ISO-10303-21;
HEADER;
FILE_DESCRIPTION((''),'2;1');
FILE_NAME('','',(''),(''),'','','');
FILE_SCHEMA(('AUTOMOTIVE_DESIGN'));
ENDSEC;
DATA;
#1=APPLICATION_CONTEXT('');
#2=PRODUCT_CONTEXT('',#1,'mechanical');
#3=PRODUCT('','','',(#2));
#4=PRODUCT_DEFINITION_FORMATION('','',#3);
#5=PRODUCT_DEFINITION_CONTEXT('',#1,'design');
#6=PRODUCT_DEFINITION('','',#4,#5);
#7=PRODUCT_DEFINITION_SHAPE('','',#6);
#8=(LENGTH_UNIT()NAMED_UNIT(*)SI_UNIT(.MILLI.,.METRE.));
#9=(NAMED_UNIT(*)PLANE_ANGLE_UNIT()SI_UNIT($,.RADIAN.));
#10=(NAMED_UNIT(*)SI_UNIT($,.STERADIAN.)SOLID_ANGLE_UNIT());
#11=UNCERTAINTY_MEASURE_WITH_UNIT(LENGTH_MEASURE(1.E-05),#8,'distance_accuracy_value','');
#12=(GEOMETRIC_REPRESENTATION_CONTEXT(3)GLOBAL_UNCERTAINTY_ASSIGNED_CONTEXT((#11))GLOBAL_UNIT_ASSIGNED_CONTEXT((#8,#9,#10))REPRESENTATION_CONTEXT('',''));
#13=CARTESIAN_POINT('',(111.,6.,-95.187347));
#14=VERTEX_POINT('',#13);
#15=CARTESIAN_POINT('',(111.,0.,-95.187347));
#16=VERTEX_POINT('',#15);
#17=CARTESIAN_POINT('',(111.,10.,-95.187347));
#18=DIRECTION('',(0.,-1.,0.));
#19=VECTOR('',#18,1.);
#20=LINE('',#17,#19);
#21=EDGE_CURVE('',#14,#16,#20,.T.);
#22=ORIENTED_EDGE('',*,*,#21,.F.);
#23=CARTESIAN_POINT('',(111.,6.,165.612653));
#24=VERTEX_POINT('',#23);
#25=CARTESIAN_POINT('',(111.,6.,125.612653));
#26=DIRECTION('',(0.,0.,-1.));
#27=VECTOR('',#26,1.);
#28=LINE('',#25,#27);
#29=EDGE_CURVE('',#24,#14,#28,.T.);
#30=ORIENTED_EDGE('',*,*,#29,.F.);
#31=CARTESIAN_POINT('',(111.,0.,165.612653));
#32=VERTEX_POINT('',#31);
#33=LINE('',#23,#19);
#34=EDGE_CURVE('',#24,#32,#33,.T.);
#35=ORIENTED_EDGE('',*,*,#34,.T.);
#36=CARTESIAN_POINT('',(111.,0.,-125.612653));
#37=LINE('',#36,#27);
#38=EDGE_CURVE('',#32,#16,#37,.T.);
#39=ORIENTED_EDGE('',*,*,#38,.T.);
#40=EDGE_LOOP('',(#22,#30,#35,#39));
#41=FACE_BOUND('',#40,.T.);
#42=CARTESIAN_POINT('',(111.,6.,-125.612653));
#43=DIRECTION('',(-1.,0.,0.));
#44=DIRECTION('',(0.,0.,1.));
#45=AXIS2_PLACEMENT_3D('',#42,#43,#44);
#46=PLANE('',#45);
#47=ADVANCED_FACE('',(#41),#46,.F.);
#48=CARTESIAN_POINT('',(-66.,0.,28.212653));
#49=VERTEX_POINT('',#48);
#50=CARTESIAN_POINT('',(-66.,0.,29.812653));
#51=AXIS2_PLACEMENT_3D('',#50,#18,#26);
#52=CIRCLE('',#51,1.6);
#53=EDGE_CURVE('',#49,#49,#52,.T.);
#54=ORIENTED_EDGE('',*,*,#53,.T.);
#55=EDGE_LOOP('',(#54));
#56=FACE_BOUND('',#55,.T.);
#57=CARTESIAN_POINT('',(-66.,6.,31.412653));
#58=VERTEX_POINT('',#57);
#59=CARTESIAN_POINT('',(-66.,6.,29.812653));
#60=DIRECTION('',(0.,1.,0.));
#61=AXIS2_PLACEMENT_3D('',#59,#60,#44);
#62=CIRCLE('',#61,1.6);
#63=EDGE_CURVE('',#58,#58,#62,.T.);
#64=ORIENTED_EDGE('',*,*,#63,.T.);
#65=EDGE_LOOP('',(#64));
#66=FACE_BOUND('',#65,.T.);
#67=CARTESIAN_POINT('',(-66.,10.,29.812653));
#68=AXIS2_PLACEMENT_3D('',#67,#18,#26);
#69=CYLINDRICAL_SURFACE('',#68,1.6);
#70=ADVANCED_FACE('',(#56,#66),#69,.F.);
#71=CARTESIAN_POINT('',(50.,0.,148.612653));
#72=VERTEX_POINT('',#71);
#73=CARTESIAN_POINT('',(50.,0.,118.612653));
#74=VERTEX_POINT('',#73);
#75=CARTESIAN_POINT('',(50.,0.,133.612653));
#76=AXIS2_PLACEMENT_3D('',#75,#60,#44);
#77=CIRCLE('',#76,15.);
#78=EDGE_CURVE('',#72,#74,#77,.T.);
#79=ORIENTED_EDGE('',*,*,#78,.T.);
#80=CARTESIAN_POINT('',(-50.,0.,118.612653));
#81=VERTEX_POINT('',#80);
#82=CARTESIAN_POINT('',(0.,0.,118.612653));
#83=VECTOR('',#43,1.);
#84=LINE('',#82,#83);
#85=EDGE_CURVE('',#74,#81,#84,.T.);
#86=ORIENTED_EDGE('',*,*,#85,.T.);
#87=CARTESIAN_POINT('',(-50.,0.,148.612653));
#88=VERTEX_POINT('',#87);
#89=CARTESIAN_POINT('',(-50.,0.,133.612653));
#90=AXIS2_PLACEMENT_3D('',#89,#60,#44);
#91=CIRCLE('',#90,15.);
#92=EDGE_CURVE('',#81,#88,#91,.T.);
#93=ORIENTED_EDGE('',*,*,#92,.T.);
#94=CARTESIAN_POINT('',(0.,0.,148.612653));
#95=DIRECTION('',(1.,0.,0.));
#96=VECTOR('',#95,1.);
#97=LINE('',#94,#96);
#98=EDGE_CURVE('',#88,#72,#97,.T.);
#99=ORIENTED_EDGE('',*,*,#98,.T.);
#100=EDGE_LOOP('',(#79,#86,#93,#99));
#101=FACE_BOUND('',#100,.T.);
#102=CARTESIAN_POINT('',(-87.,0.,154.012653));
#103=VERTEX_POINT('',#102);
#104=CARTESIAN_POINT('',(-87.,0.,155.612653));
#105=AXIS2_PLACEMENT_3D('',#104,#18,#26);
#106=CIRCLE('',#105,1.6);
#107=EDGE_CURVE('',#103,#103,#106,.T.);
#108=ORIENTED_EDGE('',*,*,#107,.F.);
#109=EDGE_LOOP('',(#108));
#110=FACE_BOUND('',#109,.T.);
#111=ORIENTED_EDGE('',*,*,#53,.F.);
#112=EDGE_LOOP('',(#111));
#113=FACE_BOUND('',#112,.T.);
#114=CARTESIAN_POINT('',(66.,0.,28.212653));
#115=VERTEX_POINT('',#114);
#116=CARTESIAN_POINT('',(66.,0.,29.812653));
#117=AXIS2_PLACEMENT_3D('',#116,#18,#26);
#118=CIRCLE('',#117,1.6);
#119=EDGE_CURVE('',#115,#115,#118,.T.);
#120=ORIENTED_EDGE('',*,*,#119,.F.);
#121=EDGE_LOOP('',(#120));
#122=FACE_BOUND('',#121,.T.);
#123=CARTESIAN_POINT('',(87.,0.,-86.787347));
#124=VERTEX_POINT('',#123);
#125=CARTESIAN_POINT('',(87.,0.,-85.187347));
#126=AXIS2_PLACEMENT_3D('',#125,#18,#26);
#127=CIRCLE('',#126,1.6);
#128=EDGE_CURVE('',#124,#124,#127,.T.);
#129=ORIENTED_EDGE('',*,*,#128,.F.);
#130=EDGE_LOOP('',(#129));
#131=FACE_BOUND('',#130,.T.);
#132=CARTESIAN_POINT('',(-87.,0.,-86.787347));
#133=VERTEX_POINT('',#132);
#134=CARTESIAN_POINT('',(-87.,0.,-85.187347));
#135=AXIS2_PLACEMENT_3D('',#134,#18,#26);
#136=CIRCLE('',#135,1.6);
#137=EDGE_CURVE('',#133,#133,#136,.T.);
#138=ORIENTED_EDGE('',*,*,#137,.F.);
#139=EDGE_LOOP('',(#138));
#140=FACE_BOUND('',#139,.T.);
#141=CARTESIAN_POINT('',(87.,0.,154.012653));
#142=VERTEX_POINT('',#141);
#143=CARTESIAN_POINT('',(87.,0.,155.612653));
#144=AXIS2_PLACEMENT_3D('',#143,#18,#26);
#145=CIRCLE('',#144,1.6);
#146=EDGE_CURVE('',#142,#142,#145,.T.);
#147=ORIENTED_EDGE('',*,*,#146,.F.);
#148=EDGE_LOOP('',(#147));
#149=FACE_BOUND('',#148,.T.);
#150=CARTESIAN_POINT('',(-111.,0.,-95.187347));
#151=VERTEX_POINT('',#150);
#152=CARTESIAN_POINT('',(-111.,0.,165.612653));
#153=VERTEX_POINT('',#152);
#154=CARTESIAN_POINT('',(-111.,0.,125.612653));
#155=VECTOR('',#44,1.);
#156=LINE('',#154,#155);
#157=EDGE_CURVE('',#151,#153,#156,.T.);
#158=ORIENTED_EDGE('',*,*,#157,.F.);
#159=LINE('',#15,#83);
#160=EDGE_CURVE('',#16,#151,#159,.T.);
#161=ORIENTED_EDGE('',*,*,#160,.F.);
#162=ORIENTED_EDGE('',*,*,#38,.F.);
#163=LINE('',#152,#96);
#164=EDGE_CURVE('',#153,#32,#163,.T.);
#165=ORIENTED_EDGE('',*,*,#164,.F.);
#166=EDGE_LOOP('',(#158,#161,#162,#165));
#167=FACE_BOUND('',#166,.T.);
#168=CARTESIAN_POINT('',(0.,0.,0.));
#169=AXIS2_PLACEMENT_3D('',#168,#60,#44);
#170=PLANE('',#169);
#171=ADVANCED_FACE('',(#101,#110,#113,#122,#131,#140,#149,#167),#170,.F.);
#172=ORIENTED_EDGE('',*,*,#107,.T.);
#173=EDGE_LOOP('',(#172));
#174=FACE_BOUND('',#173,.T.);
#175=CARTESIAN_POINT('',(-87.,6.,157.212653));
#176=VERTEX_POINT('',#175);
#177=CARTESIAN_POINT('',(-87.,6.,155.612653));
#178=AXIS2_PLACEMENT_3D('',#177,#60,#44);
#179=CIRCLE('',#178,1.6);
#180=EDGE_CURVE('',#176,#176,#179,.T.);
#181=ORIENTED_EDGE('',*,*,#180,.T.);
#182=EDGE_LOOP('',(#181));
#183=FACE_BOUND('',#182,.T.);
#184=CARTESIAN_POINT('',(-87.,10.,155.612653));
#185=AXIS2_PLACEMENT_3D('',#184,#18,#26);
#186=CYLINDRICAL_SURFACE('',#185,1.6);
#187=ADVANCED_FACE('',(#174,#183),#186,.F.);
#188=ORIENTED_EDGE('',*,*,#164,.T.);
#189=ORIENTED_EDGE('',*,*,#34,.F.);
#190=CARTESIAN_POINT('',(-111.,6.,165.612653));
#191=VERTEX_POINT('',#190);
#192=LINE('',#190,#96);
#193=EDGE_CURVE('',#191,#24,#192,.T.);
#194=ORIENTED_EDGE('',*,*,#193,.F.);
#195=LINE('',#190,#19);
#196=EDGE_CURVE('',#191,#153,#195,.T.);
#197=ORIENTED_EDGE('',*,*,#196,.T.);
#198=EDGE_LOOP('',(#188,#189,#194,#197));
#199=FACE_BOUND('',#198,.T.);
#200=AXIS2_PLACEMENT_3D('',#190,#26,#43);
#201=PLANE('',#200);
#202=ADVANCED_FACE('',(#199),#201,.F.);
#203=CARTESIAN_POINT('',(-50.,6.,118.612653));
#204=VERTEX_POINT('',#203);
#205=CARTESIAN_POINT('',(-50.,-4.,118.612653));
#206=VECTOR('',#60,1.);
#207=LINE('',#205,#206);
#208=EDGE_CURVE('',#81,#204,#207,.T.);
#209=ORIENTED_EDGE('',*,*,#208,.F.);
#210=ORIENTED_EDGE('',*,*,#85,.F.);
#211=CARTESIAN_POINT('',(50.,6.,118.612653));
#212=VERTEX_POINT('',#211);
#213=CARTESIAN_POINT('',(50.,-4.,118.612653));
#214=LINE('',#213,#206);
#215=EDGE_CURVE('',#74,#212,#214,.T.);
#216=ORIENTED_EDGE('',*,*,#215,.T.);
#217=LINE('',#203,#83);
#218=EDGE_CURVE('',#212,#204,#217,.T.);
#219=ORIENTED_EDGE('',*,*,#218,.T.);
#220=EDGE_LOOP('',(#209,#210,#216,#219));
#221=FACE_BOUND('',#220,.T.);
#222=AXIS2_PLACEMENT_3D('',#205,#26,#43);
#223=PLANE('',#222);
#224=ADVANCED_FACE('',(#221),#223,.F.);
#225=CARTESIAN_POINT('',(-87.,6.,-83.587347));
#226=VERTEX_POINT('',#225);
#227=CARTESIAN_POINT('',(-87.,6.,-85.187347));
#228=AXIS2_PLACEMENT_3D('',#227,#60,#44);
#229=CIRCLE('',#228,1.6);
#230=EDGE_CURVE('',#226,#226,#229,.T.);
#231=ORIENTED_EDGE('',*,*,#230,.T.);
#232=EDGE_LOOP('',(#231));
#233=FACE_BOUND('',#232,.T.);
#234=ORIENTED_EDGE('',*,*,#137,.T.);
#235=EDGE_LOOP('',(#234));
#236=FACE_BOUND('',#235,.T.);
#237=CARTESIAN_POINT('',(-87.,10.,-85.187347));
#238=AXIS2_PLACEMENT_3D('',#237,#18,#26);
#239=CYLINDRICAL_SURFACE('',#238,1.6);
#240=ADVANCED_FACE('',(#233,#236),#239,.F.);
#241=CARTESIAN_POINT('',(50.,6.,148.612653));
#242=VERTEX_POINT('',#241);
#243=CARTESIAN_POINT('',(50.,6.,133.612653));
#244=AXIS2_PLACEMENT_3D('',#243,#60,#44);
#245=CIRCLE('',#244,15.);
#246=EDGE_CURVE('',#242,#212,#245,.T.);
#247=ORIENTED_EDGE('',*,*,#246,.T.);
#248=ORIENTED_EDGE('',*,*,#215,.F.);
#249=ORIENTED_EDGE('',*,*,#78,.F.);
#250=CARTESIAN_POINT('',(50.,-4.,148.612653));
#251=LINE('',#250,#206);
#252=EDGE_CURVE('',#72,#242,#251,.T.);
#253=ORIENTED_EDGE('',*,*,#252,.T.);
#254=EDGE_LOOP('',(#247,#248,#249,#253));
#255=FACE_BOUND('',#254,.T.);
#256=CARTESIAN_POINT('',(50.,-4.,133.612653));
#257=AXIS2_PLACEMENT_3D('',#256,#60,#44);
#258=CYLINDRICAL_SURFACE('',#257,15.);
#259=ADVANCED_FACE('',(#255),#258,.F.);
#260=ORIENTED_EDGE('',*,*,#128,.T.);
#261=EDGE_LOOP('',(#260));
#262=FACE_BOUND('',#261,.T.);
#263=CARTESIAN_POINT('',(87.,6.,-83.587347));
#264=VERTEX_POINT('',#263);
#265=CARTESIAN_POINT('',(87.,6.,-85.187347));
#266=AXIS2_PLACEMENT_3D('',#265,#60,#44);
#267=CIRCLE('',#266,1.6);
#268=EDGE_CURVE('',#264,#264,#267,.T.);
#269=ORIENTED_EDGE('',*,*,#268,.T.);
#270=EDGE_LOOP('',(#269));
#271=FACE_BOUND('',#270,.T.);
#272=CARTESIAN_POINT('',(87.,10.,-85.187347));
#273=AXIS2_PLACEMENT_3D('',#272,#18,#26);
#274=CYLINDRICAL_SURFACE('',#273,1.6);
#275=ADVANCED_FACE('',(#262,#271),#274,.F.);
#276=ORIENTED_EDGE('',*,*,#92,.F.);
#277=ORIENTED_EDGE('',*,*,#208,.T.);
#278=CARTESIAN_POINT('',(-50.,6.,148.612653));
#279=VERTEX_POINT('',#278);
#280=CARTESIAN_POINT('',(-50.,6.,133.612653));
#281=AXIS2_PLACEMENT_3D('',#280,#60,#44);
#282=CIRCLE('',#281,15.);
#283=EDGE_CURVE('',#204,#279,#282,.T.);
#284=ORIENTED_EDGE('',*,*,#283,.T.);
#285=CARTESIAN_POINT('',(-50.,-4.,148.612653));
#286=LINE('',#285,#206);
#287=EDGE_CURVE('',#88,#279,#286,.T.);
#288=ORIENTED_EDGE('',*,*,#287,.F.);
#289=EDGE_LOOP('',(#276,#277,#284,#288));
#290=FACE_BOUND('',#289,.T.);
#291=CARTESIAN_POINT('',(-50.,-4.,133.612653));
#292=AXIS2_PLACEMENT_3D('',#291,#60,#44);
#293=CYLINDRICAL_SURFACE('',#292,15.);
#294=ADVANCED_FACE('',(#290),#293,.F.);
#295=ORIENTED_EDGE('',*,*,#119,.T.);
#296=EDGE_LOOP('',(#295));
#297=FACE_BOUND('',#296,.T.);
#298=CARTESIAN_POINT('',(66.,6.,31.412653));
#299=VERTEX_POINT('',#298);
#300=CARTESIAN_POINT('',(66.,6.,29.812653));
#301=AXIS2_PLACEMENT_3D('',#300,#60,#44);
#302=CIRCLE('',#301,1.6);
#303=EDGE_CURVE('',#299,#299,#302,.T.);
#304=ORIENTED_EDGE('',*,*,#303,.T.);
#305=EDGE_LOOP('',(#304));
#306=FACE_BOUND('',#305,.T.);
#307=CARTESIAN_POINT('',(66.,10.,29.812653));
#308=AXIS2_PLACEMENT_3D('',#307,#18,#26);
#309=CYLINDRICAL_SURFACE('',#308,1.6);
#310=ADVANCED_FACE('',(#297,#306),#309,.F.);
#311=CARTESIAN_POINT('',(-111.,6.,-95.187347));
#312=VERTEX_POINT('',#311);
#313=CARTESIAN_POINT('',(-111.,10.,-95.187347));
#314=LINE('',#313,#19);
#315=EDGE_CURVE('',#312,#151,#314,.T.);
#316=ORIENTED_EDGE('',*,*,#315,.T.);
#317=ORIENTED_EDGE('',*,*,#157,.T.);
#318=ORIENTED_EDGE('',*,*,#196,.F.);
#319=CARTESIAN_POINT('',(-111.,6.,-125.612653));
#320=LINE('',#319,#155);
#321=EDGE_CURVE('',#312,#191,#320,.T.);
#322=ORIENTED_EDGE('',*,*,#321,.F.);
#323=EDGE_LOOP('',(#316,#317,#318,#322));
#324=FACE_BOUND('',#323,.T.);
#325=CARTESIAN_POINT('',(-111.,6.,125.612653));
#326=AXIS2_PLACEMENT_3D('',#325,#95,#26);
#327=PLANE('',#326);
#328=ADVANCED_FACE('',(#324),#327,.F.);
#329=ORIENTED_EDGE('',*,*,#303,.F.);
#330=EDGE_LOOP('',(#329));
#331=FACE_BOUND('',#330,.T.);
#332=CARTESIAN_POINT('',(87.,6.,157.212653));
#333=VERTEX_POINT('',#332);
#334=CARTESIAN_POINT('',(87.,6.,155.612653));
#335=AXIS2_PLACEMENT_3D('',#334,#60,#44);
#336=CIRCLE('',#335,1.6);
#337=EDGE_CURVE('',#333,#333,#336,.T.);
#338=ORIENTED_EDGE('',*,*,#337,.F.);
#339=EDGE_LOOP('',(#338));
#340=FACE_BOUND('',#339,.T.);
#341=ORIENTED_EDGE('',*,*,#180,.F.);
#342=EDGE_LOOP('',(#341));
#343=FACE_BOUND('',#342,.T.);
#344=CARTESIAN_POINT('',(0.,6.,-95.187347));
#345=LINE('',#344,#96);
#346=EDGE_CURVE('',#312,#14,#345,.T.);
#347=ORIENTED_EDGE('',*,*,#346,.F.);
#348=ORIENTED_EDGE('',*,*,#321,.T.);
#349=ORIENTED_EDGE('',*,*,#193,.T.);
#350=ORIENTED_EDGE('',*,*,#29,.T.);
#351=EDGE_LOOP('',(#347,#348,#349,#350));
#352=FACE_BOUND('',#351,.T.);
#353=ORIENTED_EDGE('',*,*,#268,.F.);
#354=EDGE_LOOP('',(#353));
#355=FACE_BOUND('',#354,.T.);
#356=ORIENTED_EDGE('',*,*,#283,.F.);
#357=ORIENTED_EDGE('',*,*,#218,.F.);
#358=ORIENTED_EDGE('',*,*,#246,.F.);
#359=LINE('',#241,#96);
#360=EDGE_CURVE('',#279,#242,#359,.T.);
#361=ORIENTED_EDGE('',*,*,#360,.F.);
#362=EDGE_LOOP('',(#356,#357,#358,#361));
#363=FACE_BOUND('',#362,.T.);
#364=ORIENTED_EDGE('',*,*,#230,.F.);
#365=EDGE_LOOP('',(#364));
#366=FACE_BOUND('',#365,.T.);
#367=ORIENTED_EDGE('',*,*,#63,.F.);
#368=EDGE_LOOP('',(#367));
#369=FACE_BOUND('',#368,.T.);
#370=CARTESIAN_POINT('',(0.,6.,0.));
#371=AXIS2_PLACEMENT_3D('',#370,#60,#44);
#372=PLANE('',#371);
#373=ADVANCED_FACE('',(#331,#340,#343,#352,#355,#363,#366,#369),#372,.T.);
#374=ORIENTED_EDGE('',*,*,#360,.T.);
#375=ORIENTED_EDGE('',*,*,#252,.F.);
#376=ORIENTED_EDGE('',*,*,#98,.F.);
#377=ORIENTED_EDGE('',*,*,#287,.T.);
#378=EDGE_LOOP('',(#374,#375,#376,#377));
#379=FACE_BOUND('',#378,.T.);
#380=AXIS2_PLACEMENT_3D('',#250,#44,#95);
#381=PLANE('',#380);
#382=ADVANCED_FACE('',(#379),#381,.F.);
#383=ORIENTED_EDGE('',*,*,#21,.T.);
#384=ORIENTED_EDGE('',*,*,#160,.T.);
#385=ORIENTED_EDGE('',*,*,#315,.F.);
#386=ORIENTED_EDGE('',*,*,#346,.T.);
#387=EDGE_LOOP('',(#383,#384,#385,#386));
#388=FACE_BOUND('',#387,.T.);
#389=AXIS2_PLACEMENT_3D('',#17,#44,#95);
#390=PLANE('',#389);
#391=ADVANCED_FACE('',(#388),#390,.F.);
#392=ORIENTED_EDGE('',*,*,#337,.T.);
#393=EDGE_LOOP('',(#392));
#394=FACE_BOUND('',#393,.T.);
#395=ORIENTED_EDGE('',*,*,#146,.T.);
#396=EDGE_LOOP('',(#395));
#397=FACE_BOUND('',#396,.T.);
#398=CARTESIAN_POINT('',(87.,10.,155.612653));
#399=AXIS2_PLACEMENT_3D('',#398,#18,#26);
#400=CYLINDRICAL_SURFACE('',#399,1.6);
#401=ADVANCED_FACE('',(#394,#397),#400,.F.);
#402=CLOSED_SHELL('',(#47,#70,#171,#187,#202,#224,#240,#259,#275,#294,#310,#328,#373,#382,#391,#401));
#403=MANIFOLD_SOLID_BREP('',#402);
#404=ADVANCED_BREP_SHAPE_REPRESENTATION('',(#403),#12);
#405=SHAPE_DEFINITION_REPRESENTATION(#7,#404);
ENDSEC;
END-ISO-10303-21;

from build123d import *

# Parameters (mm, degrees)
BOSS_EXTRUDE1_DEPTH = 6
SKETCH3_R           = 1.6
SKETCH3_W           = 222
SKETCH3_H           = 30.425305758
CUT_EXTRUDE1_DEPTH  = 10
SKETCH4_R           = 1.6
CUT_EXTRUDE2_DEPTH  = 10
CUT_EXTRUDE3_DEPTH  = 10


with BuildPart() as part:
    # Sketch1 → Boss-Extrude1 (new body)
    with BuildSketch(Plane(origin=(0, 0, 0), x_dir=(1, 0, 0), z_dir=(0, 1, 0))):
        Polygon((-111, 125.612652879), (111, 125.612652879), (111, -125.612652879), (111, -165.612652879), (-111, -165.612652879), (-111, -125.612652879), align=None)
    extrude(amount=BOSS_EXTRUDE1_DEPTH)

    # Sketch3 → Cut-Extrude1 (cut)
    with BuildSketch(Plane.XZ):
        with Locations(Location((66, 29.812652879, 0), (0, 0, 270))):
            Circle(SKETCH3_R)
        with Locations(Location((-66, 29.812652879, 0), (0, 0, 270))):
            Circle(SKETCH3_R)
        with Locations((0, -110.4)):
            Rectangle(SKETCH3_W, SKETCH3_H)
    extrude(amount=-CUT_EXTRUDE1_DEPTH, mode=Mode.SUBTRACT)

    # Sketch4 → Cut-Extrude2 (cut)
    with BuildSketch(Plane.XZ):
        with Locations(Location((87, 155.612652879, 0), (0, 0, 270))):
            Circle(SKETCH4_R)
        with Locations(Location((-87, 155.612652879, 0), (0, 0, 270))):
            Circle(SKETCH4_R)
        with Locations(Location((87, -85.187347121, 0), (0, 0, 270))):
            Circle(SKETCH4_R)
        with Locations(Location((-87, -85.187347121, 0), (0, 0, 270))):
            Circle(SKETCH4_R)
    extrude(amount=-CUT_EXTRUDE2_DEPTH, mode=Mode.SUBTRACT)

    # Sketch5 → Cut-Extrude3 (cut)
    with BuildSketch(Plane(origin=(0, 6, 0), x_dir=(1, 0, 0), z_dir=(0, 1, 0))):
        with BuildLine():
            Line((-50, -118.612652879), (50, -118.612652879))
            ThreePointArc((50, -118.612652879), (65, -133.612652879), (50, -148.612652879))
            Line((50, -148.612652879), (-50, -148.612652879))
            ThreePointArc((-50, -148.612652879), (-65, -133.612652879), (-50, -118.612652879))
        make_face()
    extrude(amount=-CUT_EXTRUDE3_DEPTH, mode=Mode.SUBTRACT)


solid = part.part
